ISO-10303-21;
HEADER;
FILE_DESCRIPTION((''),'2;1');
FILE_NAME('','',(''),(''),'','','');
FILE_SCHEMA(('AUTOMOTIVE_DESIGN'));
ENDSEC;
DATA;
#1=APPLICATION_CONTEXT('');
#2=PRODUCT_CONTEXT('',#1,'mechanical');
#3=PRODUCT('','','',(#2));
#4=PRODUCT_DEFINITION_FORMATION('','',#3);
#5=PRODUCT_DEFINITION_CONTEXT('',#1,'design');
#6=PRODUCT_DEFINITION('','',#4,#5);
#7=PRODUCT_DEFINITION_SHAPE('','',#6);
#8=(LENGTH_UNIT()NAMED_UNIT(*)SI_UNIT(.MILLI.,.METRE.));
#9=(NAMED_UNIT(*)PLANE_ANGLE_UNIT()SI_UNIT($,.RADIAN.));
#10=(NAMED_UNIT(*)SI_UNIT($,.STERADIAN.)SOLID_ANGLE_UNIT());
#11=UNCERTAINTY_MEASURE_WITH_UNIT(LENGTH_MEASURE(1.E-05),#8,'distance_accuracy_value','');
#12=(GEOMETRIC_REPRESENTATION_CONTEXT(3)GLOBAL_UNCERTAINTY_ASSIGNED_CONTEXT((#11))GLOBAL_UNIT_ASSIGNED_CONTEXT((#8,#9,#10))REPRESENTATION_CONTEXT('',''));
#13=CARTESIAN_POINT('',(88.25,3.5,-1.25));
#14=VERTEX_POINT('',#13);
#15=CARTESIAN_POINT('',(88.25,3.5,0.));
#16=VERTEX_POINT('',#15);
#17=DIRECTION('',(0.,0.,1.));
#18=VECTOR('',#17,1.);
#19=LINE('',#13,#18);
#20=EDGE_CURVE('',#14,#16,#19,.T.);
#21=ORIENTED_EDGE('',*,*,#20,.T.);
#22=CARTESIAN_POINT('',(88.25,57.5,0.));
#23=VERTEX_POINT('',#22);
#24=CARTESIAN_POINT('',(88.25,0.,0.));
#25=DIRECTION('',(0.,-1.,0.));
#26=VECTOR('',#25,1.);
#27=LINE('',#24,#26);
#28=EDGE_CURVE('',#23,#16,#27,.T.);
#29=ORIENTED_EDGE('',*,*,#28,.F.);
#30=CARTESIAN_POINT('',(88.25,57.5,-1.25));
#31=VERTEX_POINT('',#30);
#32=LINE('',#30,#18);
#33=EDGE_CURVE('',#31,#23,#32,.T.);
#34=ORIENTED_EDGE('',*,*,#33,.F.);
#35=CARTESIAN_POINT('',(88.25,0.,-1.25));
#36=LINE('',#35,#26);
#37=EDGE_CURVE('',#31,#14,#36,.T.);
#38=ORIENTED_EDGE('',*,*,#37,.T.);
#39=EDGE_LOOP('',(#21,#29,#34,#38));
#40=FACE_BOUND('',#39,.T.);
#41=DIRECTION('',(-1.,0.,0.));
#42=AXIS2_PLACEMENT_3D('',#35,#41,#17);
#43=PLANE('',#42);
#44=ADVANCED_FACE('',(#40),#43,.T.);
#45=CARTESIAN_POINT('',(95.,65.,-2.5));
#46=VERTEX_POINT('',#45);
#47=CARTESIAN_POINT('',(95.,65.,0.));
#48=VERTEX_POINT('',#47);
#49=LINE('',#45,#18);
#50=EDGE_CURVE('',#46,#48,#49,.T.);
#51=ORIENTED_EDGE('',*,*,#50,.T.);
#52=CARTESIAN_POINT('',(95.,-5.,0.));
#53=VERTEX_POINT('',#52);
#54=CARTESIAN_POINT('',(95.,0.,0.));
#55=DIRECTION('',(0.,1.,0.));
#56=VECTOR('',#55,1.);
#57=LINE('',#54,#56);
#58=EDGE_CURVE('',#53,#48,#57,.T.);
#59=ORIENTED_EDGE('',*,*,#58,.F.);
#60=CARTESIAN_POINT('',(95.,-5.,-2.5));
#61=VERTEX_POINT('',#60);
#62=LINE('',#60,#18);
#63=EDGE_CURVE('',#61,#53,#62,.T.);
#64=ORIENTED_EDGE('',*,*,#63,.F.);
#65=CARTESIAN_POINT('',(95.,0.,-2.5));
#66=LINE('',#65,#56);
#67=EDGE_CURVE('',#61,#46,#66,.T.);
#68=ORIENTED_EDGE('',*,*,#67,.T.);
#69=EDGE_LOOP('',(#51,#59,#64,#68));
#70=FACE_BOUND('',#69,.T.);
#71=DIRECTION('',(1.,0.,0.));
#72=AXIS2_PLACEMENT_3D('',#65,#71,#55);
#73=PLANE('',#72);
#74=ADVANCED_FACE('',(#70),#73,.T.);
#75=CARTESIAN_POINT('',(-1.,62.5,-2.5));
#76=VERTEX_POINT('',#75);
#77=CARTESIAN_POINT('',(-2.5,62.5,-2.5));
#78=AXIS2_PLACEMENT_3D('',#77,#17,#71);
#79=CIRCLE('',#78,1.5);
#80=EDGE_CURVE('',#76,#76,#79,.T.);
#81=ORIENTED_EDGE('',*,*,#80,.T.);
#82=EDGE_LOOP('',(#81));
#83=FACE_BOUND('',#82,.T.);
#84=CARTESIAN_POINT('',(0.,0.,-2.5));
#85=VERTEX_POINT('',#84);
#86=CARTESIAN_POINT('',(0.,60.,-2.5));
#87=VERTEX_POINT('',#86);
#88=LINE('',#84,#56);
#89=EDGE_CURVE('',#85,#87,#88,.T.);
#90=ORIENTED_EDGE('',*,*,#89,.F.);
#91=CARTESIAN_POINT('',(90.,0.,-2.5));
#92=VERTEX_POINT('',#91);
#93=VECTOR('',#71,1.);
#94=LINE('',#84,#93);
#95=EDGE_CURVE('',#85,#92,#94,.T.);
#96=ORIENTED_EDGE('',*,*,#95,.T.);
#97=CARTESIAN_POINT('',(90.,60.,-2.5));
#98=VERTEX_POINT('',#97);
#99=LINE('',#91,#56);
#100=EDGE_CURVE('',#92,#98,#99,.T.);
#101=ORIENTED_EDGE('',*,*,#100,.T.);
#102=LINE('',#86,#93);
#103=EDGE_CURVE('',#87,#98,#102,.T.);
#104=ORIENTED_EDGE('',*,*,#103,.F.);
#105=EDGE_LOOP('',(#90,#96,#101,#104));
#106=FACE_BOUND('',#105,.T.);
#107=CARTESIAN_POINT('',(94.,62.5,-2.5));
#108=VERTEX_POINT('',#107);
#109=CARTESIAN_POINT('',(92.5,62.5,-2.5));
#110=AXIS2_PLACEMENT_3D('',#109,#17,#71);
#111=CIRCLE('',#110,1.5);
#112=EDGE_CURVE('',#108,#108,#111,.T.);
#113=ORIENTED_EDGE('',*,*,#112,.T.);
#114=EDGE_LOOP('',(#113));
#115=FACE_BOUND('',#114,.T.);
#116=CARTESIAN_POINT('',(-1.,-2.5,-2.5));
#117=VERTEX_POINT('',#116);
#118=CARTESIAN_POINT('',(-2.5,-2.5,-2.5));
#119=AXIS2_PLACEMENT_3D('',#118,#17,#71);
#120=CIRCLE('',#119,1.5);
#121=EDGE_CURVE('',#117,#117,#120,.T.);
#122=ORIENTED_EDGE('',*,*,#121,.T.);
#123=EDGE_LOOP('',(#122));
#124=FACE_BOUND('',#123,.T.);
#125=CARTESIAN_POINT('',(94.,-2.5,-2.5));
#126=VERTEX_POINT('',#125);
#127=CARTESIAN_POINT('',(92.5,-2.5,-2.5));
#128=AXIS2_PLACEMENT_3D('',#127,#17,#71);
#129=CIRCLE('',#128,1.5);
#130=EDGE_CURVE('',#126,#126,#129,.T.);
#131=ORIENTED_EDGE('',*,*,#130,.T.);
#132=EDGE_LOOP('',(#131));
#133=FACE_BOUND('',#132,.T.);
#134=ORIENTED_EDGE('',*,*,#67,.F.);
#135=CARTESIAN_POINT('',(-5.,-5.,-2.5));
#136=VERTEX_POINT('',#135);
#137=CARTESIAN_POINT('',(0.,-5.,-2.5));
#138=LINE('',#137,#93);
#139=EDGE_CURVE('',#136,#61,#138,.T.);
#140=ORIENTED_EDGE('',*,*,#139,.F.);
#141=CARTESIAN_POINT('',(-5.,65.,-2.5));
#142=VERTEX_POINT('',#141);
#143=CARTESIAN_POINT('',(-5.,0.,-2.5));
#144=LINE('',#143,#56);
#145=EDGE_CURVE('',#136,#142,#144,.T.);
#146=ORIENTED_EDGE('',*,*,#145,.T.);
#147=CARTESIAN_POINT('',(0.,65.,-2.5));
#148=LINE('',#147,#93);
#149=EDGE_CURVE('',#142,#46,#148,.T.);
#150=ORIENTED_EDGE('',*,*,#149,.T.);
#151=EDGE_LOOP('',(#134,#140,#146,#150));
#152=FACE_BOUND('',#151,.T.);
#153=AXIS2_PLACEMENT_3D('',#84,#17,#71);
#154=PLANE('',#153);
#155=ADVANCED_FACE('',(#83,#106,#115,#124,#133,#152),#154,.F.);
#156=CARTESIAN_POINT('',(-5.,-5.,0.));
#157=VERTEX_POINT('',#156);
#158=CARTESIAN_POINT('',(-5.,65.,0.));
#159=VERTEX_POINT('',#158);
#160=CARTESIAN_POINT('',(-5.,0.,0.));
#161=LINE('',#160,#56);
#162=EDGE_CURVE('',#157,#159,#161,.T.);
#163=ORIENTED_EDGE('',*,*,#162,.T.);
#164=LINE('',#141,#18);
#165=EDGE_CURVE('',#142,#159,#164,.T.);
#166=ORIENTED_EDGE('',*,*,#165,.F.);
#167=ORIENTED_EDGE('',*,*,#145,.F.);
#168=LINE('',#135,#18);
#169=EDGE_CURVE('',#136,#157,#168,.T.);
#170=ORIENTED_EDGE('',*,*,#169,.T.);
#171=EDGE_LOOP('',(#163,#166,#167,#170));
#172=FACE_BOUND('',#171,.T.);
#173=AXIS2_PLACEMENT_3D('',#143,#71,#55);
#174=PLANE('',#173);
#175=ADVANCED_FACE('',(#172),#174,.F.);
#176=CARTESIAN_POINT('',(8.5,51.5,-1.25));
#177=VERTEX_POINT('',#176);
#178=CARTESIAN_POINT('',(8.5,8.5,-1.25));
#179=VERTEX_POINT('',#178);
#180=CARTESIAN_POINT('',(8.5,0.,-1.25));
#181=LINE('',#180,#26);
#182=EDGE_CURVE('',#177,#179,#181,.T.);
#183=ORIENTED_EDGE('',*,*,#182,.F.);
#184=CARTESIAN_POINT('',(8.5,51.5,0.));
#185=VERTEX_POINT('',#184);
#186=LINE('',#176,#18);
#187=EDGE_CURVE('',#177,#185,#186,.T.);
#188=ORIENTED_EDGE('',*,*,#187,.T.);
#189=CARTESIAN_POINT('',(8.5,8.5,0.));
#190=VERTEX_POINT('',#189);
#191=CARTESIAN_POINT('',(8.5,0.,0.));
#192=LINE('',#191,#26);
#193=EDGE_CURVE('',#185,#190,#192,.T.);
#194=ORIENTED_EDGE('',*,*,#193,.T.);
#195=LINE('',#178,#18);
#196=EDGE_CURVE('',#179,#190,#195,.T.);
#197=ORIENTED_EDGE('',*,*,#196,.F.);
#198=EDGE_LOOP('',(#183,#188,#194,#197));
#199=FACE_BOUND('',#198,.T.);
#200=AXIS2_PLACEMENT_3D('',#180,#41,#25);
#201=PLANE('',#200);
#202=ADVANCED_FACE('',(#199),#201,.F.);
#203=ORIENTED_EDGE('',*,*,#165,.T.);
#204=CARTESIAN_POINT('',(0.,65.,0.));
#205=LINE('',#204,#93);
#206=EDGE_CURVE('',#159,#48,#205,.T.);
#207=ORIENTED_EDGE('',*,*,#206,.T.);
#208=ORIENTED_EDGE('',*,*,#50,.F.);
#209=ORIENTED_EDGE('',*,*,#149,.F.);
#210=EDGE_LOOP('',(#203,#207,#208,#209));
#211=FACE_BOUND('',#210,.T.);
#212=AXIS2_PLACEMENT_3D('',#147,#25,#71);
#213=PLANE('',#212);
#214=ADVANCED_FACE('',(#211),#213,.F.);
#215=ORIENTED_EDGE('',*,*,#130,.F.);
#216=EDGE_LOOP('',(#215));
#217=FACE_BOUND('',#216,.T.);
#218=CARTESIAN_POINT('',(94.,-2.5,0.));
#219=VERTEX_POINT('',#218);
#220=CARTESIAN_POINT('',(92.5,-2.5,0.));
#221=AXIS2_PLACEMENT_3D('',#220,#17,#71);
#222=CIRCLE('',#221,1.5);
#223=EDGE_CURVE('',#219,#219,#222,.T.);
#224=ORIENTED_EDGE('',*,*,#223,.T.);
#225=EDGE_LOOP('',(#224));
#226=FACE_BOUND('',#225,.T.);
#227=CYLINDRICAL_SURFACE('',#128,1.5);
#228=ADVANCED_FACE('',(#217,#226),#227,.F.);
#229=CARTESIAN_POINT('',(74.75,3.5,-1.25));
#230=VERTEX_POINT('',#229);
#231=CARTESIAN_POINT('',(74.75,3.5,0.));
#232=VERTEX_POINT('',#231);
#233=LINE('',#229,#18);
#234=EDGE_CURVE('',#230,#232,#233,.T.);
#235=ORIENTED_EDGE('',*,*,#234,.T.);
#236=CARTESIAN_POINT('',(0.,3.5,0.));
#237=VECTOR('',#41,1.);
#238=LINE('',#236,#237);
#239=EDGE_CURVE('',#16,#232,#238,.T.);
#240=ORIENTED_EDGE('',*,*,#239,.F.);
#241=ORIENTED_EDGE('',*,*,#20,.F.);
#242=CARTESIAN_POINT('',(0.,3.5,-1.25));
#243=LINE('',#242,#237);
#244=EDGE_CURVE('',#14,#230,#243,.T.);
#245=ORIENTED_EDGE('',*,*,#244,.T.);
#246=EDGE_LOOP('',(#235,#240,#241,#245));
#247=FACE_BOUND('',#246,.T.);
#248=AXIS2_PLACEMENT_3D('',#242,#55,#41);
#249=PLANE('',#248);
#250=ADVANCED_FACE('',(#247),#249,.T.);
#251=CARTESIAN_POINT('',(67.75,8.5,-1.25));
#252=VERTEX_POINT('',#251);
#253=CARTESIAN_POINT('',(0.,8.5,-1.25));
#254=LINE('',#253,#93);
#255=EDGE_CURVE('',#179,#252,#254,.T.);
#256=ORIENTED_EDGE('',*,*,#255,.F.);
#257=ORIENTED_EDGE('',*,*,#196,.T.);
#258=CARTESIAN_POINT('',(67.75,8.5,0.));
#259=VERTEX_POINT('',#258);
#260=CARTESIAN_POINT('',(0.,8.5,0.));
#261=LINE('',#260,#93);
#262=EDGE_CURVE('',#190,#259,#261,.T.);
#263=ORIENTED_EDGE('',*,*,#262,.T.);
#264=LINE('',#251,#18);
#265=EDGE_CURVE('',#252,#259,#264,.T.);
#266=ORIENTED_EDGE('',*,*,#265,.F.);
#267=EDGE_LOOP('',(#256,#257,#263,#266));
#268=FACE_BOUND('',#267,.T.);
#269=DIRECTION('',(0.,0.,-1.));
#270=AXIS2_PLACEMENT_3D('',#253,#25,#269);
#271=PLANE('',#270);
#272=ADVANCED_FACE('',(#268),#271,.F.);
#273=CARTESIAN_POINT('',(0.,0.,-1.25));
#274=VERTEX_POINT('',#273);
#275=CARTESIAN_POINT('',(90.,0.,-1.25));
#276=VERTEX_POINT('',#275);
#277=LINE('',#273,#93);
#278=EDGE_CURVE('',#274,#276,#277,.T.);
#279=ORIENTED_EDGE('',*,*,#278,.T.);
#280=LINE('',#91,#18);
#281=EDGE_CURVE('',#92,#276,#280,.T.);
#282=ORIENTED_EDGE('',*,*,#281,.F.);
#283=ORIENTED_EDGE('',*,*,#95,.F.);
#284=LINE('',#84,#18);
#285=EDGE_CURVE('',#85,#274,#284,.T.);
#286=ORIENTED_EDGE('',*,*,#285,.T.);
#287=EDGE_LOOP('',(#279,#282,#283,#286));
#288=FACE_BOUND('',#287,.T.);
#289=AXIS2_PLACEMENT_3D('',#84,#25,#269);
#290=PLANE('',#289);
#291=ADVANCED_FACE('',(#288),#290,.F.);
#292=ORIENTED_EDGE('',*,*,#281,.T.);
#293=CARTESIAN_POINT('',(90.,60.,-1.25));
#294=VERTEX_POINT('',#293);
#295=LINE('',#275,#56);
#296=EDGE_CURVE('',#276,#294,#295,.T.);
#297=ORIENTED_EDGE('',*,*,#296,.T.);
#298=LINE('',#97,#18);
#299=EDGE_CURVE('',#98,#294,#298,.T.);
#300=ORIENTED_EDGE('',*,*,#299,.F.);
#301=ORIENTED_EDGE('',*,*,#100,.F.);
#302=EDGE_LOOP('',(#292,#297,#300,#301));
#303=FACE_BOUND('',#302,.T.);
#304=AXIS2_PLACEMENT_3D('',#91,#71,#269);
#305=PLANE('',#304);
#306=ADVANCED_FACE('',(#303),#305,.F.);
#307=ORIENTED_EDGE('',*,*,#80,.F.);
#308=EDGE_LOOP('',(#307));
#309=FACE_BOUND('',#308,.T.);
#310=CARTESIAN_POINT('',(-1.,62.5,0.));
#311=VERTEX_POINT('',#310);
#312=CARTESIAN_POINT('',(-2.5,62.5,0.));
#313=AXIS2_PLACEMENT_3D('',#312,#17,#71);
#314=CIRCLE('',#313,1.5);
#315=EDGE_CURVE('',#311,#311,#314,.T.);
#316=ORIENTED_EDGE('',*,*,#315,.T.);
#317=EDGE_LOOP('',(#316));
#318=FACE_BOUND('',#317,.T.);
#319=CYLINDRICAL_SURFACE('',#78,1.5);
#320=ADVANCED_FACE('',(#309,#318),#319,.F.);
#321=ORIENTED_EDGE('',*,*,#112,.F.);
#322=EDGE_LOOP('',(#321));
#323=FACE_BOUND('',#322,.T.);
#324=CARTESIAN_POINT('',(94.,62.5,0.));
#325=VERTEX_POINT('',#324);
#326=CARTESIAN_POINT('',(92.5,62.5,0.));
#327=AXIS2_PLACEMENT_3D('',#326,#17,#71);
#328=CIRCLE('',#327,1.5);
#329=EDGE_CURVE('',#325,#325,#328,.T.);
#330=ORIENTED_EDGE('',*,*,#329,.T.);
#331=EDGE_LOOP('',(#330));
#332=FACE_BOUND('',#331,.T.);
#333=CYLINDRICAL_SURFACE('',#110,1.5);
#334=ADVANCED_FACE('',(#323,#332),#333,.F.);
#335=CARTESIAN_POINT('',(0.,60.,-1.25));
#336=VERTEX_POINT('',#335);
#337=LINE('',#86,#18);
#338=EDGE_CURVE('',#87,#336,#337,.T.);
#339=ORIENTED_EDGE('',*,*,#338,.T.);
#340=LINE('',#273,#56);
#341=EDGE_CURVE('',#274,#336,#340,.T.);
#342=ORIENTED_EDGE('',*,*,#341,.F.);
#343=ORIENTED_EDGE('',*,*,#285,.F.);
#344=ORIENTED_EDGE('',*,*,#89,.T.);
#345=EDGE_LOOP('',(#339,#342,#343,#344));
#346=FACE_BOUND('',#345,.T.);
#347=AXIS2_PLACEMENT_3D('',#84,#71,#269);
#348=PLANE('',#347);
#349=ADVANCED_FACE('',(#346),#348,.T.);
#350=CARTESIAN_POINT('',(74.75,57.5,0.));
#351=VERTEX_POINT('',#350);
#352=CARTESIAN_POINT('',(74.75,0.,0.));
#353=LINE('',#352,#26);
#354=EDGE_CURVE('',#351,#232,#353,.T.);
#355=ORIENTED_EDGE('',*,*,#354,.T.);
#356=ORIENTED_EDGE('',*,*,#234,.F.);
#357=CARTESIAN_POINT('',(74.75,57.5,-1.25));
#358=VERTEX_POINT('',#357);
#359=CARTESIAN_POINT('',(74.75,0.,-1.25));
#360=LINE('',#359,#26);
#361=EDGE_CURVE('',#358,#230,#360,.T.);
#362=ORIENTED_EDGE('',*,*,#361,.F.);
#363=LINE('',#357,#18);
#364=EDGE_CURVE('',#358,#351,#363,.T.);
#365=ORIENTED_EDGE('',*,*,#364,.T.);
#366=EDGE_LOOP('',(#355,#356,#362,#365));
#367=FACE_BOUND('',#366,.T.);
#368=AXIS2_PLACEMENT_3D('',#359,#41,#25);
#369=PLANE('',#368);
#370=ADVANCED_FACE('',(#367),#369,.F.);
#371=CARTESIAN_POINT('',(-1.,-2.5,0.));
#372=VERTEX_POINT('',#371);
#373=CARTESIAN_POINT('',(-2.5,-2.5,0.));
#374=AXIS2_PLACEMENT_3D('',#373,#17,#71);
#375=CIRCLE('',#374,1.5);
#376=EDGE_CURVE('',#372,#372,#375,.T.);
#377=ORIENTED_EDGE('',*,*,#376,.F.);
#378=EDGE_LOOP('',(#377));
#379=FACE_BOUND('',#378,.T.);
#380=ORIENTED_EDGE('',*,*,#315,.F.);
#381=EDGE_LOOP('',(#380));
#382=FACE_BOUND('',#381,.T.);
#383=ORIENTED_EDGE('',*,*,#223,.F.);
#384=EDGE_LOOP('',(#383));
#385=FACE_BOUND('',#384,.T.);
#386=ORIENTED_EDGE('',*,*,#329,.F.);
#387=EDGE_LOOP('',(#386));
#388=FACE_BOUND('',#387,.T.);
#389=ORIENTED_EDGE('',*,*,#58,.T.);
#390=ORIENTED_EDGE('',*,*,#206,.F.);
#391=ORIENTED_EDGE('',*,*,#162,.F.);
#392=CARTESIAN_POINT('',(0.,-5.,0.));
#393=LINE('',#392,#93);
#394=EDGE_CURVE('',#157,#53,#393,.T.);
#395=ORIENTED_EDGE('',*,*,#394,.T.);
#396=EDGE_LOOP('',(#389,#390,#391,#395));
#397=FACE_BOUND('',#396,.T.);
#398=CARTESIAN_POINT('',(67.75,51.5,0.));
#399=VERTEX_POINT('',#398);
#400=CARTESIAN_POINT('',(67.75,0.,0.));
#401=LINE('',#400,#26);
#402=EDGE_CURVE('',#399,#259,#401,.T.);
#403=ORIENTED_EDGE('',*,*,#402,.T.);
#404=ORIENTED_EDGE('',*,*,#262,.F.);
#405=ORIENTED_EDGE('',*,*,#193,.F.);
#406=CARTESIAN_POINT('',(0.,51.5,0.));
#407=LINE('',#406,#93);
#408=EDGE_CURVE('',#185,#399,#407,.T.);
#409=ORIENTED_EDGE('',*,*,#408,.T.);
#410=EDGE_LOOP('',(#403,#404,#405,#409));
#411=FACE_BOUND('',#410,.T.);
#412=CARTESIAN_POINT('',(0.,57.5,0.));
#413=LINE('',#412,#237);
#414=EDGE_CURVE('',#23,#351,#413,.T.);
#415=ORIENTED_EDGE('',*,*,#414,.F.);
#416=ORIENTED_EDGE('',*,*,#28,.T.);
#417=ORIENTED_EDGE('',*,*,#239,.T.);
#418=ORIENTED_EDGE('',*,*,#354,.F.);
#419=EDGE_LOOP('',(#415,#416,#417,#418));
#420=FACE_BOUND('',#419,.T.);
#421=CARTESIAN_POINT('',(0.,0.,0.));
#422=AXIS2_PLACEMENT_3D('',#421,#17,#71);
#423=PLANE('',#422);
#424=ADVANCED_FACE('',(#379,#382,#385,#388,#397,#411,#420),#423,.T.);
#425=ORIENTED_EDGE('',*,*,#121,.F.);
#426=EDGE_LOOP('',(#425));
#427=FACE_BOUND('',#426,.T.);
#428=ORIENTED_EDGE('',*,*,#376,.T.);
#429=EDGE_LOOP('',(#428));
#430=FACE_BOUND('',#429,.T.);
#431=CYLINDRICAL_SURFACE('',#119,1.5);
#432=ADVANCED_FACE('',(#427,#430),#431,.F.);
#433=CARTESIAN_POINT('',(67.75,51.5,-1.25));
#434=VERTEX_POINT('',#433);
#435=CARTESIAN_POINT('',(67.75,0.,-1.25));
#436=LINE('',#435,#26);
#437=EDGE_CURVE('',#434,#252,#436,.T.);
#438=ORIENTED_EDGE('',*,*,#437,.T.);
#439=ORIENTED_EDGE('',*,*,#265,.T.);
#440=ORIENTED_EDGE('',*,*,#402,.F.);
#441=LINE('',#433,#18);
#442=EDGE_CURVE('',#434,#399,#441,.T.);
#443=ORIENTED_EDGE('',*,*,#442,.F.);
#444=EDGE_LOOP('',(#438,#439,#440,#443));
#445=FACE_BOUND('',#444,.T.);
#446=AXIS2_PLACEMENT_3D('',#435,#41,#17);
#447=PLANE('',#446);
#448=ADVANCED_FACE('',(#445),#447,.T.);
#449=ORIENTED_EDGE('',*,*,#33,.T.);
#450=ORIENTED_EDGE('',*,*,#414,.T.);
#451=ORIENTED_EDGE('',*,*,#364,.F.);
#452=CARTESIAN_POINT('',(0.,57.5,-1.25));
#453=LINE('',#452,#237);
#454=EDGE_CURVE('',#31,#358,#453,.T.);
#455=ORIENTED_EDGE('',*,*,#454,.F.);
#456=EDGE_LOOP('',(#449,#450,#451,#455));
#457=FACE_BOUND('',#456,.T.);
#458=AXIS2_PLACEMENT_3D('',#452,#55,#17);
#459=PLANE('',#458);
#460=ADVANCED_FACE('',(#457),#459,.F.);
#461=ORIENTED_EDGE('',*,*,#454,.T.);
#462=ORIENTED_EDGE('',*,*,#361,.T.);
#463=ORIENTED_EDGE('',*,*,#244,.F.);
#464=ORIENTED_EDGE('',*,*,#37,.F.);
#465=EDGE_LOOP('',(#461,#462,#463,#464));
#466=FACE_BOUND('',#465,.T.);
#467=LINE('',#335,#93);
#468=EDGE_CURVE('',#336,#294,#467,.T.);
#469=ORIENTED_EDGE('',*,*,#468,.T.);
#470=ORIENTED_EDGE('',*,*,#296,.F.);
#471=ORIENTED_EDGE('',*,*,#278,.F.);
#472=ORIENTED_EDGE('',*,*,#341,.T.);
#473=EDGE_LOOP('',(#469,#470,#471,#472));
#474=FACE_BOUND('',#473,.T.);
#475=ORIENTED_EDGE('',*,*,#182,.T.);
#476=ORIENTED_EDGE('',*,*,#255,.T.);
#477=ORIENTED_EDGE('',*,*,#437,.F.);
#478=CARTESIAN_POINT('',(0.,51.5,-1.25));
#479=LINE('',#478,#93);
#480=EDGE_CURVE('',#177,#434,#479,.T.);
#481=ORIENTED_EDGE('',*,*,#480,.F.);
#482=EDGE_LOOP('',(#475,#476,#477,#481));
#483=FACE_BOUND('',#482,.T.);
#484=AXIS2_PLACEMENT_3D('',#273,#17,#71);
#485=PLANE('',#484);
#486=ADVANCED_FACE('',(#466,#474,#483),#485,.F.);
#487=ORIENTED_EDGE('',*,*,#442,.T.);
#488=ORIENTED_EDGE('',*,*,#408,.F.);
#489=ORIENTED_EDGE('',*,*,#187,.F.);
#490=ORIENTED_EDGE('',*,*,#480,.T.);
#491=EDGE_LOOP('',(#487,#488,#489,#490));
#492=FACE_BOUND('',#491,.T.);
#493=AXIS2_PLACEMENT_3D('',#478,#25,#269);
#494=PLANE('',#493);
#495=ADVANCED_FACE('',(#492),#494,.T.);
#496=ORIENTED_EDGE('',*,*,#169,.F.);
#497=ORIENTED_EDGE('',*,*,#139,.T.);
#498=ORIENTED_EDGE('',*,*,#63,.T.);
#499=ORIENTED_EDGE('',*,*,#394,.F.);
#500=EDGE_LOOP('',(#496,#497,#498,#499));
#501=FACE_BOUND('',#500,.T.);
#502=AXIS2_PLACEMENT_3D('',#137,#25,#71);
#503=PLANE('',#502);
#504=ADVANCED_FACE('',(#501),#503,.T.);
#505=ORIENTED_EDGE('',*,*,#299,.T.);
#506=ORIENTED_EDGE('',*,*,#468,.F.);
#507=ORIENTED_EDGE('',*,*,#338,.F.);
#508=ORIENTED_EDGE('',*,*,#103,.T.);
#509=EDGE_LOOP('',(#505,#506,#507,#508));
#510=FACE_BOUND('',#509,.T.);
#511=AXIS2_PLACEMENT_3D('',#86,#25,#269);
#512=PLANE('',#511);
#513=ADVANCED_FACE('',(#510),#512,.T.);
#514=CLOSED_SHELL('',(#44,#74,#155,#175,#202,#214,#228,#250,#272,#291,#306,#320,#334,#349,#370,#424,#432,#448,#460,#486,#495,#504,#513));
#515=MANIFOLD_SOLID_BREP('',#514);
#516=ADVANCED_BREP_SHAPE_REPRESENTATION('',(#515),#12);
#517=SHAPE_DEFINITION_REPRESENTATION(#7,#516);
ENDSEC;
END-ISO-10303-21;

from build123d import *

# Parameters (mm, degrees)
SKETCH1_W           = 90
SKETCH1_H           = 60
SKETCH1_W_2         = 59.25
SKETCH1_H_2         = 43
BOSS_EXTRUDE3_DEPTH = 1.25
SKETCH1_6_W         = 100
SKETCH1_6_H         = 70
SKETCH1_6_R         = 1.5
SKETCH1_6_W_2       = 90
SKETCH1_6_H_2       = 60
BOSS_EXTRUDE4_DEPTH = 2.5


with BuildPart() as part:
    # Sketch1 → Boss-Extrude3 (new body)
    with BuildSketch(Plane.XY):
        with Locations((45, 30)):
            Rectangle(SKETCH1_W, SKETCH1_H)
        with Locations((38.125, 30)):
            Rectangle(SKETCH1_W_2, SKETCH1_H_2, mode=Mode.SUBTRACT)
        Polygon((74.75, 3.5), (74.75, 54.5), (74.75, 57.5), (88.25, 57.5), (88.25, 3.5), align=None, mode=Mode.SUBTRACT)
    extrude(amount=-BOSS_EXTRUDE3_DEPTH)

    # Sketch1<6> → Boss-Extrude4 (add)
    with BuildSketch(Plane.XY):
        with Locations((45, 30)):
            Rectangle(SKETCH1_6_W, SKETCH1_6_H)
        with Locations((-2.5, -2.5)):
            Circle(SKETCH1_6_R, mode=Mode.SUBTRACT)
        with Locations((92.5, -2.5)):
            Circle(SKETCH1_6_R, mode=Mode.SUBTRACT)
        with Locations((45, 30)):
            Rectangle(SKETCH1_6_W_2, SKETCH1_6_H_2, mode=Mode.SUBTRACT)
        with Locations((-2.5, 62.5)):
            Circle(SKETCH1_6_R, mode=Mode.SUBTRACT)
        with Locations((92.5, 62.5)):
            Circle(SKETCH1_6_R, mode=Mode.SUBTRACT)
    extrude(amount=-BOSS_EXTRUDE4_DEPTH)


solid = part.part
